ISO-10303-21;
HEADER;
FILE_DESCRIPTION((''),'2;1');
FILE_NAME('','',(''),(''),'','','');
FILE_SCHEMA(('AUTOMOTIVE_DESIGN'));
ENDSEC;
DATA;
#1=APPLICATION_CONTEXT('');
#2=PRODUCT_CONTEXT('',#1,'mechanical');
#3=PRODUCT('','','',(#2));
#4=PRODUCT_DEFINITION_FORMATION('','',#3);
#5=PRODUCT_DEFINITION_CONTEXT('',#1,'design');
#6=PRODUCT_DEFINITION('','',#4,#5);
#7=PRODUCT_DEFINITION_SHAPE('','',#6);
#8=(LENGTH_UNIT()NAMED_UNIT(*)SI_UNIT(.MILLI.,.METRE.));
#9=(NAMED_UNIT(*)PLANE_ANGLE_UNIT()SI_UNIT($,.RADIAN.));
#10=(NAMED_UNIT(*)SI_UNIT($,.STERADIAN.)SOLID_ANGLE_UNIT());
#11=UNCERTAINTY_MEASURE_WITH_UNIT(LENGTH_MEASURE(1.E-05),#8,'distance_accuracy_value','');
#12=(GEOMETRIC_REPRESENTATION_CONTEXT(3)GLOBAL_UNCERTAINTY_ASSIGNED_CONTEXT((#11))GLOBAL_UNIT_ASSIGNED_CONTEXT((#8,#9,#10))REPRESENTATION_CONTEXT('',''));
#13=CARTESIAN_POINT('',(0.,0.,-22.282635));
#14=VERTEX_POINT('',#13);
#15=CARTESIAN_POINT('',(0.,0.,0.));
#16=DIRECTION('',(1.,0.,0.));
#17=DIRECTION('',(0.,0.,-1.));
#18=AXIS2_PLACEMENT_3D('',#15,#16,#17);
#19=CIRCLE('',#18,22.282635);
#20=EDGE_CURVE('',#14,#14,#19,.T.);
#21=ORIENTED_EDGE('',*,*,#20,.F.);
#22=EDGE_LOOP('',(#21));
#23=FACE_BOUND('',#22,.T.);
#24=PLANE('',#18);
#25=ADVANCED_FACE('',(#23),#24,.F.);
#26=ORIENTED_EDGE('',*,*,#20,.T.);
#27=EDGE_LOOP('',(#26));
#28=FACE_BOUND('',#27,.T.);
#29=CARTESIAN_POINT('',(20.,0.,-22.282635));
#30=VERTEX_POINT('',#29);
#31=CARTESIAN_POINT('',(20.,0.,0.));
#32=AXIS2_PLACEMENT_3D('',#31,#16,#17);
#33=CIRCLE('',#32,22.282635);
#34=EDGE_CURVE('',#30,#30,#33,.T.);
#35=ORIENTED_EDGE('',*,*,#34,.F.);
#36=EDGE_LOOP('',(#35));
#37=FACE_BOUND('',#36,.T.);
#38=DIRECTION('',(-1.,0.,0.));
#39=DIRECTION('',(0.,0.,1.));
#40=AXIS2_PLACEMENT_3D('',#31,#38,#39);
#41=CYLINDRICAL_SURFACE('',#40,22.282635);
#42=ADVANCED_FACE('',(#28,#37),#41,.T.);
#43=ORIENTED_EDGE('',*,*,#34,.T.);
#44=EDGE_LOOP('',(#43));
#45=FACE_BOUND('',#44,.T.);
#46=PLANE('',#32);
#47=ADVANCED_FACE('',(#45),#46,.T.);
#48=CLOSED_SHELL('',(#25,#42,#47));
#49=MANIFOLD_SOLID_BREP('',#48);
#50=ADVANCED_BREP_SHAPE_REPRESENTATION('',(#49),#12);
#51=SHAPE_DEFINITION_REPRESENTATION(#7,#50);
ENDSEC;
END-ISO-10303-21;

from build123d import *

# Parameters (mm, degrees)
SKETCH_1_R      = 22.282634598
EXTRUDE_1_DEPTH = 20


with BuildPart() as part:
    # 草图1 → 凸台-拉伸1 (new body)
    with BuildSketch(Plane(origin=(0, 0, 0), x_dir=(0, 0, -1), z_dir=(1, 0, 0))):
        Circle(SKETCH_1_R)
    extrude(amount=EXTRUDE_1_DEPTH)


solid = part.part
